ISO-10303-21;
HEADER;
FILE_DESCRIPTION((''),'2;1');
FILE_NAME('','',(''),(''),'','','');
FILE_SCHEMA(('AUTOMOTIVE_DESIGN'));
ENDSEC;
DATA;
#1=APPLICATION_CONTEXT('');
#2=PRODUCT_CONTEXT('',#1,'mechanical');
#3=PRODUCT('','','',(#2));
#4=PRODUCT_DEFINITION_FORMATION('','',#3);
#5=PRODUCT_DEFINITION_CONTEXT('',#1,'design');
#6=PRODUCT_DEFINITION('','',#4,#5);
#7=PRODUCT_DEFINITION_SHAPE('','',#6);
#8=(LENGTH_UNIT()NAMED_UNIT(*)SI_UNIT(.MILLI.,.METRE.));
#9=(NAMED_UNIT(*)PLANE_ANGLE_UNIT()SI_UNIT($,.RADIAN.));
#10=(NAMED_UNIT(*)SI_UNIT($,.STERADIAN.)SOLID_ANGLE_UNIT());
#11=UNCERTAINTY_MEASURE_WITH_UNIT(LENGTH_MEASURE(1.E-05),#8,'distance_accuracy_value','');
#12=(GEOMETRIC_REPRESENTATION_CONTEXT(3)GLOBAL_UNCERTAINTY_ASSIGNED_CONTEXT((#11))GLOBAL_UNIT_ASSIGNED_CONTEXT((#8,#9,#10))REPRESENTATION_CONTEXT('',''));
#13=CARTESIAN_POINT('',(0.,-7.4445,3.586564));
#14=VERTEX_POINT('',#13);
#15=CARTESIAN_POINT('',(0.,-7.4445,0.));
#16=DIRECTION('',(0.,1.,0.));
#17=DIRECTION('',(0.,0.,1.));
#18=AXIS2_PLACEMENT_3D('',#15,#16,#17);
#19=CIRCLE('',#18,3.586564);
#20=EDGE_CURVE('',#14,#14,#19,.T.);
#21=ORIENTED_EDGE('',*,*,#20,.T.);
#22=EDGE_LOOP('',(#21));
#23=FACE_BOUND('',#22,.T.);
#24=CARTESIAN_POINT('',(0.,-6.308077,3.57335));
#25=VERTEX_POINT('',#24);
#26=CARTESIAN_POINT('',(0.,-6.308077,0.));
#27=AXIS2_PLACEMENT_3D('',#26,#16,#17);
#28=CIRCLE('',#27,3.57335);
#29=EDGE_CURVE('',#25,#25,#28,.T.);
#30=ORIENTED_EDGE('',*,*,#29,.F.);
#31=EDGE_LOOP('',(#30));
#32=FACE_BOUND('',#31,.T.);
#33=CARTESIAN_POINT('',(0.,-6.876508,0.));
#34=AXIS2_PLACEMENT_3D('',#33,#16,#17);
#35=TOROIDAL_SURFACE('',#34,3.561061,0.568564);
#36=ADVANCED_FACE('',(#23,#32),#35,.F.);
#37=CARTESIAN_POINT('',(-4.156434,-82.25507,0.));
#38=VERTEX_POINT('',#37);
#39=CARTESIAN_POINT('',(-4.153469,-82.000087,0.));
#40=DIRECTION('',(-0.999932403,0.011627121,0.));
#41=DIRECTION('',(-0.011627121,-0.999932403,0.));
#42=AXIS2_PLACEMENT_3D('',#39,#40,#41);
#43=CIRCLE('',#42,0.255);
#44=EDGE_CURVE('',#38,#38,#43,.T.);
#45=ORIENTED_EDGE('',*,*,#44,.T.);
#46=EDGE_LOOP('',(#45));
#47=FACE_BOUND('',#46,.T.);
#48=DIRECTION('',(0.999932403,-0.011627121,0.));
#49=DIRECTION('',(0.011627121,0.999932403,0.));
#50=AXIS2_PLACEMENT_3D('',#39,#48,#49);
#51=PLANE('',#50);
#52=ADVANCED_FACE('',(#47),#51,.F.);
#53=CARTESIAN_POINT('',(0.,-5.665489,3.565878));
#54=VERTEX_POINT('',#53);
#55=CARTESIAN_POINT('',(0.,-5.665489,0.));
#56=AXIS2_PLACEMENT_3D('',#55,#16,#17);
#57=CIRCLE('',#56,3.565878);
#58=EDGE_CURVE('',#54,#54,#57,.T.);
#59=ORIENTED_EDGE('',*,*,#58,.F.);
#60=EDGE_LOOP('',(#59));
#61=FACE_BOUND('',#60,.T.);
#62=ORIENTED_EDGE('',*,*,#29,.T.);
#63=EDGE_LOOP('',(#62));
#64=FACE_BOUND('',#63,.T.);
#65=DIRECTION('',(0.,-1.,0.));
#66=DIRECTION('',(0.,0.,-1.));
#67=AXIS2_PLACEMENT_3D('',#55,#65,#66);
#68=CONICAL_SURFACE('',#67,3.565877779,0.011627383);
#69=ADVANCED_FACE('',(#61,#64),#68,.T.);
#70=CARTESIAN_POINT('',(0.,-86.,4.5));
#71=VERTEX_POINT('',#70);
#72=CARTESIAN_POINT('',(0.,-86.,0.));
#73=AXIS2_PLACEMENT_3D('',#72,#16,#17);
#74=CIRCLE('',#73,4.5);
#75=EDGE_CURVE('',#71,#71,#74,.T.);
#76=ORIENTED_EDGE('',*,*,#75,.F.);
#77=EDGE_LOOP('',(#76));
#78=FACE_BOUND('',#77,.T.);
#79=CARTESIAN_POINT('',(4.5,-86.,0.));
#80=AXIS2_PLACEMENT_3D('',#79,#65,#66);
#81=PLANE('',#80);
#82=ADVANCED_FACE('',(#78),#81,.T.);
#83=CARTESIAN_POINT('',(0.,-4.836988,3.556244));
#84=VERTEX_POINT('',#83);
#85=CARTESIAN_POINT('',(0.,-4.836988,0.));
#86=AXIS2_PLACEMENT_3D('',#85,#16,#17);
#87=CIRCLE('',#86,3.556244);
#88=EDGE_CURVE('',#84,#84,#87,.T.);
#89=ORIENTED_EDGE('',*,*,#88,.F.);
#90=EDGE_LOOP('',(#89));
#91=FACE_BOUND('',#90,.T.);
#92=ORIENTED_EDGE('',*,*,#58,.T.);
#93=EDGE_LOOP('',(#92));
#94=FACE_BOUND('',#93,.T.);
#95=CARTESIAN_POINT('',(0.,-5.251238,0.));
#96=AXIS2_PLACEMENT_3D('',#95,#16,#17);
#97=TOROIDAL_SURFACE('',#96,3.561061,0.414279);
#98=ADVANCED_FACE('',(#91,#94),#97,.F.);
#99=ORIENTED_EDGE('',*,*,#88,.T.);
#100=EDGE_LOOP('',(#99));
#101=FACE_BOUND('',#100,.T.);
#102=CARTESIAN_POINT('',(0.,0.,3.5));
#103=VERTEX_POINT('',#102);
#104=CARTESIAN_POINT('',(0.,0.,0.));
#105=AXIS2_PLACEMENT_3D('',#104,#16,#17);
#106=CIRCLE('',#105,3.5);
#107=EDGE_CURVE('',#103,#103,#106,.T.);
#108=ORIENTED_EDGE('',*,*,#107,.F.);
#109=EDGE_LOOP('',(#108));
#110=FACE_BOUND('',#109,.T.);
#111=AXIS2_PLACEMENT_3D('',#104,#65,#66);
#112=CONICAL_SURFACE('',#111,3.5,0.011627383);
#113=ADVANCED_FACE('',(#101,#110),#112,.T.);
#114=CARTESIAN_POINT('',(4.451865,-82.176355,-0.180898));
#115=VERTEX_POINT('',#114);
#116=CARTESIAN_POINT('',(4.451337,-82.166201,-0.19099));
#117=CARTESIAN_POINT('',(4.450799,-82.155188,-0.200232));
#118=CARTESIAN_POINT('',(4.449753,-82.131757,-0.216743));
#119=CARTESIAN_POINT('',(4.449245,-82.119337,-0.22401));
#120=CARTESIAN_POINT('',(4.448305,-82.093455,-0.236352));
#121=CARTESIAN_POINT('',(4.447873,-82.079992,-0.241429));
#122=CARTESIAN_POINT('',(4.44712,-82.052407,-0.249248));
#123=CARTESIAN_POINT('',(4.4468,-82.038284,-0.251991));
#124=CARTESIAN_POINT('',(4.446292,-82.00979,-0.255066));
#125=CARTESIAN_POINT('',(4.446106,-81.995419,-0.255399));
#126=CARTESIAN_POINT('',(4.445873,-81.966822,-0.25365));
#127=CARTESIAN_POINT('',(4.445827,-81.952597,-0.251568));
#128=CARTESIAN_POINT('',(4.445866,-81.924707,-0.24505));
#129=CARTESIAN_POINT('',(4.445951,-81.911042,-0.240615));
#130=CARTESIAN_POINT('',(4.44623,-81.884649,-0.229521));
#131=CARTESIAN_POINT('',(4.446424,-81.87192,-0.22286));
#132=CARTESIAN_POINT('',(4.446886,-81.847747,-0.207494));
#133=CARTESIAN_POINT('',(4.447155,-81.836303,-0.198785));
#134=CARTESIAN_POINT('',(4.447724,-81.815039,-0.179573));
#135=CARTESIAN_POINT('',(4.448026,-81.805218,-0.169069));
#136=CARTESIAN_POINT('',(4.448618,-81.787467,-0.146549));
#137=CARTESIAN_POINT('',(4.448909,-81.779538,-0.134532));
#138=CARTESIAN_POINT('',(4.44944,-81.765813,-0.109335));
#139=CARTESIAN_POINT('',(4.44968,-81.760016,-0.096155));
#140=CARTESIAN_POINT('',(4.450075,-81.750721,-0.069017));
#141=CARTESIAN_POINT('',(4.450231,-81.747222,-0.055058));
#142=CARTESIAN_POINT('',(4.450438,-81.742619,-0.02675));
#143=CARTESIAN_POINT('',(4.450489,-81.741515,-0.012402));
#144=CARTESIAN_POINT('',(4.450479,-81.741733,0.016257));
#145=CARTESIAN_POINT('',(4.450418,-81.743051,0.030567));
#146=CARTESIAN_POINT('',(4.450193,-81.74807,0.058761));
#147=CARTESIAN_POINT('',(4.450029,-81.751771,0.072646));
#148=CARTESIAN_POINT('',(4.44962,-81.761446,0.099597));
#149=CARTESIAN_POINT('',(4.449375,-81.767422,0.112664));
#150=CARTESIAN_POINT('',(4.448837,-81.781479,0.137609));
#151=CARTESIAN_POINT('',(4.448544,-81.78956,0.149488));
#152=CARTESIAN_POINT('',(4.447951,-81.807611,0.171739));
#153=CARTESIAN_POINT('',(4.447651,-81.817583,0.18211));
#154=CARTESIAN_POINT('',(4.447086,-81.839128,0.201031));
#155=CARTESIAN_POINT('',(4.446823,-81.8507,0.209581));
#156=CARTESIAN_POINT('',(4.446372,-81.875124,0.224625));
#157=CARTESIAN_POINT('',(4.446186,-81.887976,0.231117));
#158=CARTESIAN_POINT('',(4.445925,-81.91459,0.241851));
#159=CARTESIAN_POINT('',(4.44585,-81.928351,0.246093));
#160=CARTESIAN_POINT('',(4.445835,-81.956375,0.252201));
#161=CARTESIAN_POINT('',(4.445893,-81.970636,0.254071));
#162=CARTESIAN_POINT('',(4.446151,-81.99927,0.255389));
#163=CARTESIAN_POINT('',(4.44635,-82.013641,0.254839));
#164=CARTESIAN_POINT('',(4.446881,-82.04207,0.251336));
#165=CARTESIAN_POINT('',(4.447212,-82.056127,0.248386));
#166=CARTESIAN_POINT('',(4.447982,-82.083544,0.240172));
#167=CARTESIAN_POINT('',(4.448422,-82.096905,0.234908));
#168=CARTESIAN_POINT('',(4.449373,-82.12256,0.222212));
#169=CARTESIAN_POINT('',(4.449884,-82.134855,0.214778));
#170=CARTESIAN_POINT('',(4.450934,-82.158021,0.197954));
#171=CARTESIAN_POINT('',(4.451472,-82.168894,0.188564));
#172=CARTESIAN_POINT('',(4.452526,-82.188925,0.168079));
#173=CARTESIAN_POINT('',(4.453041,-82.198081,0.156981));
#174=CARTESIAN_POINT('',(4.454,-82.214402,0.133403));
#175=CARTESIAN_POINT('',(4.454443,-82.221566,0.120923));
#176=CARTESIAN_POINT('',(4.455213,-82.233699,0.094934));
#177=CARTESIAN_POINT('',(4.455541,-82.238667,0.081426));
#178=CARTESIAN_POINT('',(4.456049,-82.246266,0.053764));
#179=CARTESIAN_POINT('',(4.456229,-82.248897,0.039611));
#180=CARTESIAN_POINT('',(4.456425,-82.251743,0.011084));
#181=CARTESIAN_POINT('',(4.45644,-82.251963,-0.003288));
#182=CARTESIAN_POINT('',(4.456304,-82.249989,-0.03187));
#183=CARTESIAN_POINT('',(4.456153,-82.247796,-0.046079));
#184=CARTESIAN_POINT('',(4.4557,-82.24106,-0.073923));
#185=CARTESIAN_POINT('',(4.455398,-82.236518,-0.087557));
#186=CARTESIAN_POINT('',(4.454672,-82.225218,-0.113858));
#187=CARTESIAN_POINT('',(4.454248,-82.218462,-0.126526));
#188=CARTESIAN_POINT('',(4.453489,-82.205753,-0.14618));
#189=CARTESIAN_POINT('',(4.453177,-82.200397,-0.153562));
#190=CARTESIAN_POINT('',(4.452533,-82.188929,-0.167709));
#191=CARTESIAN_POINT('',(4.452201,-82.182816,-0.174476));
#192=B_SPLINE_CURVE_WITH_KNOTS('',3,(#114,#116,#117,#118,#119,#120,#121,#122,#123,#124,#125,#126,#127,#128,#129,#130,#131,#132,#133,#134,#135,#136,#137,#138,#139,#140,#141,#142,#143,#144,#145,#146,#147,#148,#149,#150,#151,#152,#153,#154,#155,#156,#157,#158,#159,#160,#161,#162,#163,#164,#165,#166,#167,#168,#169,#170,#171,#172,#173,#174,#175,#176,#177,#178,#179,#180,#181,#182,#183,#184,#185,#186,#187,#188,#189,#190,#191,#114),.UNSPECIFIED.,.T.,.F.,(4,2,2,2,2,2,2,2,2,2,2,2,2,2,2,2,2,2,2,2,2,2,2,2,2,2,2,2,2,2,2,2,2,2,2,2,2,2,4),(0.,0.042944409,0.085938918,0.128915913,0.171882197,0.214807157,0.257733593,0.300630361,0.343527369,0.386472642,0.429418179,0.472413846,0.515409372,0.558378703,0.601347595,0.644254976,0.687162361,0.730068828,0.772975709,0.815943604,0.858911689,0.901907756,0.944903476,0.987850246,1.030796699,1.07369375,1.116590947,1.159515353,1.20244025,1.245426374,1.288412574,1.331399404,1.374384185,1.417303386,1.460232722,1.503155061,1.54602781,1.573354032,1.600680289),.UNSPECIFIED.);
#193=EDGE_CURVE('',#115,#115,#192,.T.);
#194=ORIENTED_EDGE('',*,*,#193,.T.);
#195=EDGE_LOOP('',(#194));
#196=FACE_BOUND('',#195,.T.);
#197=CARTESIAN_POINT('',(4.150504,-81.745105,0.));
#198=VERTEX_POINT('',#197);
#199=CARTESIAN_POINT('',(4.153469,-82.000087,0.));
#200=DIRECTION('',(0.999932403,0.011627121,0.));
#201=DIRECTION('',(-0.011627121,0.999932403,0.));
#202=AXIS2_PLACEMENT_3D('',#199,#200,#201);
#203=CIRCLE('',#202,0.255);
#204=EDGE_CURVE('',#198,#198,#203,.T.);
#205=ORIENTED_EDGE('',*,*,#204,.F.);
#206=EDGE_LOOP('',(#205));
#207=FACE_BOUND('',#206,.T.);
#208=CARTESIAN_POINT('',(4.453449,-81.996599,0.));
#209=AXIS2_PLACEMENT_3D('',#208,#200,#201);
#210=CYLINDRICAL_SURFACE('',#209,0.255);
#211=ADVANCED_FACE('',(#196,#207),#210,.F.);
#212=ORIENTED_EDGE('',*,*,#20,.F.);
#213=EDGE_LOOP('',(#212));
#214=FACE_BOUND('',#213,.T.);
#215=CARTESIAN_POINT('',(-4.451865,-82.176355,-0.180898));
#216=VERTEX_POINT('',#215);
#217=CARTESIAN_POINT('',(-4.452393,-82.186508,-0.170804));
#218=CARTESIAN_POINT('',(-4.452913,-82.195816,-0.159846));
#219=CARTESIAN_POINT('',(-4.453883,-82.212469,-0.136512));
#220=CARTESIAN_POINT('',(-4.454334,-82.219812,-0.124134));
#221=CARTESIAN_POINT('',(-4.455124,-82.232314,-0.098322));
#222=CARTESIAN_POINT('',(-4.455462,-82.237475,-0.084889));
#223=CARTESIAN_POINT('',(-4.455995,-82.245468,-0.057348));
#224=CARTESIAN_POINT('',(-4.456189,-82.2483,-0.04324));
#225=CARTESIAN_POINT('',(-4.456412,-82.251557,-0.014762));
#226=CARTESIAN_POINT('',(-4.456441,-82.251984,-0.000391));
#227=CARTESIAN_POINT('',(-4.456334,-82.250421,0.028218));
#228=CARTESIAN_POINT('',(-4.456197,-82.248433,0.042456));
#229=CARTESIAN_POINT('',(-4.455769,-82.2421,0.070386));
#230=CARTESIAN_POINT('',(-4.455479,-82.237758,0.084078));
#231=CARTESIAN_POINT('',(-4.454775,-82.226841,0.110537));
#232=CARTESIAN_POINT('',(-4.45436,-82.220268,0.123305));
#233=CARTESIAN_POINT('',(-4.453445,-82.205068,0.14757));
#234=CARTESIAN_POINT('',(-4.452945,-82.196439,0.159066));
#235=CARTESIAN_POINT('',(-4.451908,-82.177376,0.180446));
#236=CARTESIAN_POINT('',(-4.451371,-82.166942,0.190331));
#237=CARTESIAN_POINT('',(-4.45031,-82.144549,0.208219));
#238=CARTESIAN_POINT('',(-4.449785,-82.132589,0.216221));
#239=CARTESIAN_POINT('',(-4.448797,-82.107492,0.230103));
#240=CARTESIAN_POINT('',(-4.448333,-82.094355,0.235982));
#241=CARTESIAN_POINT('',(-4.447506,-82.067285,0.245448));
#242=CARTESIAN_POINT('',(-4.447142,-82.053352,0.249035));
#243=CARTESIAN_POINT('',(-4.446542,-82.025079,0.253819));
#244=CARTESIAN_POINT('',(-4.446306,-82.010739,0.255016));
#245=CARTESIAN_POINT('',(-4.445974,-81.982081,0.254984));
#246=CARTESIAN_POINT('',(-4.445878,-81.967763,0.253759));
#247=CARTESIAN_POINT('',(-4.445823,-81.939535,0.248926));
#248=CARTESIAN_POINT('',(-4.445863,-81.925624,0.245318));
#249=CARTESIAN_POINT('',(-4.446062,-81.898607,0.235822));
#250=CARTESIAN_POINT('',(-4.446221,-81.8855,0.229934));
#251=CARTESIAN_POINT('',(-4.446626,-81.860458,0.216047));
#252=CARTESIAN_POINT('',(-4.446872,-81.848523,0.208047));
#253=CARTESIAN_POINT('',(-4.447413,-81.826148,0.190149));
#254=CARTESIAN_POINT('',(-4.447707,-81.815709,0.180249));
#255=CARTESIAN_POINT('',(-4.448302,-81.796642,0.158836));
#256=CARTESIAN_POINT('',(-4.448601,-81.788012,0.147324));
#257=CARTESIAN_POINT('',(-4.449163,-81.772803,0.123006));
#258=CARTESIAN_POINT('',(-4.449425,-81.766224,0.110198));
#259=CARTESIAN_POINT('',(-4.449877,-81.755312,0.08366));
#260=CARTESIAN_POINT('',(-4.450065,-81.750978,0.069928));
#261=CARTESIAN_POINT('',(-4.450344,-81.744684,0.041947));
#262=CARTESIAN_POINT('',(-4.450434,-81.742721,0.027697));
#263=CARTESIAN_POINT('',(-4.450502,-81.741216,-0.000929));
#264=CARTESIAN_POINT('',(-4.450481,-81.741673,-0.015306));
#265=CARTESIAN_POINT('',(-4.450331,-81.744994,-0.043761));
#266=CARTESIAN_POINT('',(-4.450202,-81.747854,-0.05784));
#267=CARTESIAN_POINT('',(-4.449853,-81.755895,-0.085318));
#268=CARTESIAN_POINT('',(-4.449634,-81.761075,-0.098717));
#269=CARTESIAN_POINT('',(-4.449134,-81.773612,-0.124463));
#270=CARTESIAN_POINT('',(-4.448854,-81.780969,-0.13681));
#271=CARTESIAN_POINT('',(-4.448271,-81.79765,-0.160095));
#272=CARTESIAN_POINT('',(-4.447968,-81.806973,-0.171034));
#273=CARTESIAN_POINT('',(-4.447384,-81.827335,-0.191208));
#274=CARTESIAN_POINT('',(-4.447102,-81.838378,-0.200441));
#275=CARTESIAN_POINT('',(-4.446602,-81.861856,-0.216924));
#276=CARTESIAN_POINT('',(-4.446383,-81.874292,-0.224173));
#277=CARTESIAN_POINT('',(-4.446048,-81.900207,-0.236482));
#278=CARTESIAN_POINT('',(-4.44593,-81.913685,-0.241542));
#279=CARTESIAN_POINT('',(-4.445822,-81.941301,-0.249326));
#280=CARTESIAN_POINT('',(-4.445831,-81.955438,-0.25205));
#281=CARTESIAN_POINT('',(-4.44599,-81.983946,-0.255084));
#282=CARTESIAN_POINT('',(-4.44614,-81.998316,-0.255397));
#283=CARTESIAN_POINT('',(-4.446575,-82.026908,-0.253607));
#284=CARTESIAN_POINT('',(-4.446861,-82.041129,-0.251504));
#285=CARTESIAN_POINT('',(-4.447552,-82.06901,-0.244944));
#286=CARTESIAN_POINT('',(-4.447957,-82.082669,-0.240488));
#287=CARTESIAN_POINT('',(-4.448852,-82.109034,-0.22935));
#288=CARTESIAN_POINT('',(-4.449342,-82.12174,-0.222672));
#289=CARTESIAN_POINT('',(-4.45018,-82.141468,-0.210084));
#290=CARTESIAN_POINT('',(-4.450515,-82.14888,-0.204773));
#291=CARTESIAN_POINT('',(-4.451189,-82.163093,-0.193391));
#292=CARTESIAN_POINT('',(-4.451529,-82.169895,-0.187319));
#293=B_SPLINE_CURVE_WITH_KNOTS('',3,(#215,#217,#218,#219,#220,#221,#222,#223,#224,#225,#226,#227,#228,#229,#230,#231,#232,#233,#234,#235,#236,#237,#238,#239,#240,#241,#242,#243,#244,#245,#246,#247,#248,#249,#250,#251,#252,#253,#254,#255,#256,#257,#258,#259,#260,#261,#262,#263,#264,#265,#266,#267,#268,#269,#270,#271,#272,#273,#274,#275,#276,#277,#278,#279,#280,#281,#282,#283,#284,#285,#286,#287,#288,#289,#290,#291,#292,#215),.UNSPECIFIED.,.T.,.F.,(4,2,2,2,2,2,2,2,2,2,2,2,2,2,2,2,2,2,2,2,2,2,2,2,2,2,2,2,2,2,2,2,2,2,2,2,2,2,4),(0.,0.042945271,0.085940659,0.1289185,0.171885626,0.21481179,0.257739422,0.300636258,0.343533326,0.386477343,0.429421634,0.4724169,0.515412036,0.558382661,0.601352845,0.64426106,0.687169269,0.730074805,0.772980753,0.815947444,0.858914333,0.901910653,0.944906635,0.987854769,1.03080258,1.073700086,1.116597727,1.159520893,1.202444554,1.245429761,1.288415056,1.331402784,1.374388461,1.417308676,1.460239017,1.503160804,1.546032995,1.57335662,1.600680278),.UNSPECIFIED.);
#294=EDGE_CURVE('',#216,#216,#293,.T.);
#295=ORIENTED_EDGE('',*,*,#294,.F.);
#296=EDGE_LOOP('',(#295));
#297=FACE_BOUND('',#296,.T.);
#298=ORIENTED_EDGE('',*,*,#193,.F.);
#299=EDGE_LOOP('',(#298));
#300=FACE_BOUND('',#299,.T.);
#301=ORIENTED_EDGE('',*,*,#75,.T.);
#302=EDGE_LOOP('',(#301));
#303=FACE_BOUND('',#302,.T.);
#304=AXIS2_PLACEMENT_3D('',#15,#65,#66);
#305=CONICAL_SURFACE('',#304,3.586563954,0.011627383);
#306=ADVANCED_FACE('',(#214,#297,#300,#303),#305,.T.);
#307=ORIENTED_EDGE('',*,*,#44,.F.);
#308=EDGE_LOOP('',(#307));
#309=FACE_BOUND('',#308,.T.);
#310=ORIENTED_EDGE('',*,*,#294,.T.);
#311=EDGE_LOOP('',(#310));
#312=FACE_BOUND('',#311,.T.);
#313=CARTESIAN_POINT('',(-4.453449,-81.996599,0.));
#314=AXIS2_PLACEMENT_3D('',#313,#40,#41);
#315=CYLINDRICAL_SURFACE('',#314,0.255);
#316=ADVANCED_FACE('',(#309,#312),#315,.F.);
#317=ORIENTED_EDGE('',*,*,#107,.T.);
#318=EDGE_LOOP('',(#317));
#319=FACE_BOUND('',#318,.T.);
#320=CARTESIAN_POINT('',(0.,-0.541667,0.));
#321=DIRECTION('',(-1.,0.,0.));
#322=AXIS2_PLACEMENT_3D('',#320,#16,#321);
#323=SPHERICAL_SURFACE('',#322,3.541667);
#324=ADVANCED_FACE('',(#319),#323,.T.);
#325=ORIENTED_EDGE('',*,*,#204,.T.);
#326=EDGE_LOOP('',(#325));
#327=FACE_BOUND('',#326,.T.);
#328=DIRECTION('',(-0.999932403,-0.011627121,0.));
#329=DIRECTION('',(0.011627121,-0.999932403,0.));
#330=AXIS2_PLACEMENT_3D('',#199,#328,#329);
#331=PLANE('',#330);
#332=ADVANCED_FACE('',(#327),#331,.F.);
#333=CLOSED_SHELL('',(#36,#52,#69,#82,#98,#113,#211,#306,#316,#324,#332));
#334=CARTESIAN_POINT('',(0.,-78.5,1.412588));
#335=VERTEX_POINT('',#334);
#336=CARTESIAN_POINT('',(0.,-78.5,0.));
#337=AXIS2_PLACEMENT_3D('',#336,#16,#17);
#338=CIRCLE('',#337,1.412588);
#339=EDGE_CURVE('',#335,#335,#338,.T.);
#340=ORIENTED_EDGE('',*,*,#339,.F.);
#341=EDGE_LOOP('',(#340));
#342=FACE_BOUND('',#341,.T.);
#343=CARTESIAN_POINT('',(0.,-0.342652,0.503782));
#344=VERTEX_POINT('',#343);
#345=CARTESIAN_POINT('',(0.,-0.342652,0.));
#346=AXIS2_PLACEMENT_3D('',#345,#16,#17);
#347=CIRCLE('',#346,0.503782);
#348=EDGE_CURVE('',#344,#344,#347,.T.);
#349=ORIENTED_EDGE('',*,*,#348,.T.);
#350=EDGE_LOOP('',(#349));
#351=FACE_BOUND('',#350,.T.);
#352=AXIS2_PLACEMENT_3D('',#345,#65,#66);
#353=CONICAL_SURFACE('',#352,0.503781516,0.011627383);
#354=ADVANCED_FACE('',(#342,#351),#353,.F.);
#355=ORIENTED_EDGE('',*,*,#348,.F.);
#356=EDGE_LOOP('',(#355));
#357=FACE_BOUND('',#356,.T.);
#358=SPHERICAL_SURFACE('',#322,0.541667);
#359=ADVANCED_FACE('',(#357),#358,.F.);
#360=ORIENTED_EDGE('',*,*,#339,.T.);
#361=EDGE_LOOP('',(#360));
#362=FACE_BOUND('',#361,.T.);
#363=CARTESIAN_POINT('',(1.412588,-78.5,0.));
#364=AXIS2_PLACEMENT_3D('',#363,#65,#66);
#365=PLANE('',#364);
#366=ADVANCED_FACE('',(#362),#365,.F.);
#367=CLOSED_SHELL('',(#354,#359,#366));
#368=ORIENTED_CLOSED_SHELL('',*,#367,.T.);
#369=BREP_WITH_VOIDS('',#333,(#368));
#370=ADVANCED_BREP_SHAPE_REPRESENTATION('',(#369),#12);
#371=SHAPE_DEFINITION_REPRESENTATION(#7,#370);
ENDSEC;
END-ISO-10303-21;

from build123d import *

# Parameters (mm, degrees)
FURO1_D     = 0.51
FURO1_DEPTH = 0.3
FURO2_D     = 0.51
FURO2_DEPTH = 0.3


with BuildPart() as part:
    # Esboço1 → Revolução1 (revolve)
    with BuildSketch(Plane(origin=(0, 0, 0), x_dir=(-1, 0, 0), z_dir=(0, 0, -1))):
        with BuildLine():
            Line((-4.5, -86), (0, -86))
            Line((0, -86), (0, 3))
            ThreePointArc((0, 3), (-2.304886114, 2.147367133), (-3.5, 0))
            Line((-3.5, 0), (-3.556244043, -4.836987738))
            ThreePointArc((-3.556244043, -4.836987738), (-3.146810303, -5.256055213), (-3.565877779, -5.665488953))
            Line((-3.565877779, -5.665488953), (-3.573349728, -6.308076594))
            ThreePointArc((-3.573349728, -6.308076594), (-2.992535071, -6.883118814), (-3.586563954, -7.444500063))
            Line((-3.586563954, -7.444500063), (-4.5, -86))
        make_face()
    revolve(axis=Axis((0, -86, 0), (0, 1, 0)))

    # Esboço3 → Corte-Revolução1 (revolve, cut)
    with BuildSketch(Plane(origin=(0, 0, 0), x_dir=(-1, 0, 0), z_dir=(0, 0, -1))):
        with BuildLine():
            Line((-1.412587892, -78.5), (0, -78.5))
            Line((0, -78.5), (0, 0))
            ThreePointArc((0, 0), (-0.304633385, -0.093781326), (-0.503781516, -0.342651689))
            Line((-0.503781516, -0.342651689), (-1.412587892, -78.5))
        make_face()
    revolve(axis=Axis((0, -78.5, 0), (0, 1, 0)), mode=Mode.SUBTRACT)

    # Furo1
    with Locations(Plane(origin=(-4.453448829, -81.996599309, 0), x_dir=(-0.011627121, -0.999932403, 0), z_dir=(-0.999932403, 0.011627121, 0))):
        with Locations((0, 0)):
            Hole(FURO1_D / 2, depth=FURO1_DEPTH)

    # Furo2
    with Locations(Plane(origin=(4.453448829, -81.996599309, 0), x_dir=(-0.011627121, 0.999932403, 0), z_dir=(0.999932403, 0.011627121, 0))):
        with Locations((0, 0)):
            Hole(FURO2_D / 2, depth=FURO2_DEPTH)


solid = part.part
